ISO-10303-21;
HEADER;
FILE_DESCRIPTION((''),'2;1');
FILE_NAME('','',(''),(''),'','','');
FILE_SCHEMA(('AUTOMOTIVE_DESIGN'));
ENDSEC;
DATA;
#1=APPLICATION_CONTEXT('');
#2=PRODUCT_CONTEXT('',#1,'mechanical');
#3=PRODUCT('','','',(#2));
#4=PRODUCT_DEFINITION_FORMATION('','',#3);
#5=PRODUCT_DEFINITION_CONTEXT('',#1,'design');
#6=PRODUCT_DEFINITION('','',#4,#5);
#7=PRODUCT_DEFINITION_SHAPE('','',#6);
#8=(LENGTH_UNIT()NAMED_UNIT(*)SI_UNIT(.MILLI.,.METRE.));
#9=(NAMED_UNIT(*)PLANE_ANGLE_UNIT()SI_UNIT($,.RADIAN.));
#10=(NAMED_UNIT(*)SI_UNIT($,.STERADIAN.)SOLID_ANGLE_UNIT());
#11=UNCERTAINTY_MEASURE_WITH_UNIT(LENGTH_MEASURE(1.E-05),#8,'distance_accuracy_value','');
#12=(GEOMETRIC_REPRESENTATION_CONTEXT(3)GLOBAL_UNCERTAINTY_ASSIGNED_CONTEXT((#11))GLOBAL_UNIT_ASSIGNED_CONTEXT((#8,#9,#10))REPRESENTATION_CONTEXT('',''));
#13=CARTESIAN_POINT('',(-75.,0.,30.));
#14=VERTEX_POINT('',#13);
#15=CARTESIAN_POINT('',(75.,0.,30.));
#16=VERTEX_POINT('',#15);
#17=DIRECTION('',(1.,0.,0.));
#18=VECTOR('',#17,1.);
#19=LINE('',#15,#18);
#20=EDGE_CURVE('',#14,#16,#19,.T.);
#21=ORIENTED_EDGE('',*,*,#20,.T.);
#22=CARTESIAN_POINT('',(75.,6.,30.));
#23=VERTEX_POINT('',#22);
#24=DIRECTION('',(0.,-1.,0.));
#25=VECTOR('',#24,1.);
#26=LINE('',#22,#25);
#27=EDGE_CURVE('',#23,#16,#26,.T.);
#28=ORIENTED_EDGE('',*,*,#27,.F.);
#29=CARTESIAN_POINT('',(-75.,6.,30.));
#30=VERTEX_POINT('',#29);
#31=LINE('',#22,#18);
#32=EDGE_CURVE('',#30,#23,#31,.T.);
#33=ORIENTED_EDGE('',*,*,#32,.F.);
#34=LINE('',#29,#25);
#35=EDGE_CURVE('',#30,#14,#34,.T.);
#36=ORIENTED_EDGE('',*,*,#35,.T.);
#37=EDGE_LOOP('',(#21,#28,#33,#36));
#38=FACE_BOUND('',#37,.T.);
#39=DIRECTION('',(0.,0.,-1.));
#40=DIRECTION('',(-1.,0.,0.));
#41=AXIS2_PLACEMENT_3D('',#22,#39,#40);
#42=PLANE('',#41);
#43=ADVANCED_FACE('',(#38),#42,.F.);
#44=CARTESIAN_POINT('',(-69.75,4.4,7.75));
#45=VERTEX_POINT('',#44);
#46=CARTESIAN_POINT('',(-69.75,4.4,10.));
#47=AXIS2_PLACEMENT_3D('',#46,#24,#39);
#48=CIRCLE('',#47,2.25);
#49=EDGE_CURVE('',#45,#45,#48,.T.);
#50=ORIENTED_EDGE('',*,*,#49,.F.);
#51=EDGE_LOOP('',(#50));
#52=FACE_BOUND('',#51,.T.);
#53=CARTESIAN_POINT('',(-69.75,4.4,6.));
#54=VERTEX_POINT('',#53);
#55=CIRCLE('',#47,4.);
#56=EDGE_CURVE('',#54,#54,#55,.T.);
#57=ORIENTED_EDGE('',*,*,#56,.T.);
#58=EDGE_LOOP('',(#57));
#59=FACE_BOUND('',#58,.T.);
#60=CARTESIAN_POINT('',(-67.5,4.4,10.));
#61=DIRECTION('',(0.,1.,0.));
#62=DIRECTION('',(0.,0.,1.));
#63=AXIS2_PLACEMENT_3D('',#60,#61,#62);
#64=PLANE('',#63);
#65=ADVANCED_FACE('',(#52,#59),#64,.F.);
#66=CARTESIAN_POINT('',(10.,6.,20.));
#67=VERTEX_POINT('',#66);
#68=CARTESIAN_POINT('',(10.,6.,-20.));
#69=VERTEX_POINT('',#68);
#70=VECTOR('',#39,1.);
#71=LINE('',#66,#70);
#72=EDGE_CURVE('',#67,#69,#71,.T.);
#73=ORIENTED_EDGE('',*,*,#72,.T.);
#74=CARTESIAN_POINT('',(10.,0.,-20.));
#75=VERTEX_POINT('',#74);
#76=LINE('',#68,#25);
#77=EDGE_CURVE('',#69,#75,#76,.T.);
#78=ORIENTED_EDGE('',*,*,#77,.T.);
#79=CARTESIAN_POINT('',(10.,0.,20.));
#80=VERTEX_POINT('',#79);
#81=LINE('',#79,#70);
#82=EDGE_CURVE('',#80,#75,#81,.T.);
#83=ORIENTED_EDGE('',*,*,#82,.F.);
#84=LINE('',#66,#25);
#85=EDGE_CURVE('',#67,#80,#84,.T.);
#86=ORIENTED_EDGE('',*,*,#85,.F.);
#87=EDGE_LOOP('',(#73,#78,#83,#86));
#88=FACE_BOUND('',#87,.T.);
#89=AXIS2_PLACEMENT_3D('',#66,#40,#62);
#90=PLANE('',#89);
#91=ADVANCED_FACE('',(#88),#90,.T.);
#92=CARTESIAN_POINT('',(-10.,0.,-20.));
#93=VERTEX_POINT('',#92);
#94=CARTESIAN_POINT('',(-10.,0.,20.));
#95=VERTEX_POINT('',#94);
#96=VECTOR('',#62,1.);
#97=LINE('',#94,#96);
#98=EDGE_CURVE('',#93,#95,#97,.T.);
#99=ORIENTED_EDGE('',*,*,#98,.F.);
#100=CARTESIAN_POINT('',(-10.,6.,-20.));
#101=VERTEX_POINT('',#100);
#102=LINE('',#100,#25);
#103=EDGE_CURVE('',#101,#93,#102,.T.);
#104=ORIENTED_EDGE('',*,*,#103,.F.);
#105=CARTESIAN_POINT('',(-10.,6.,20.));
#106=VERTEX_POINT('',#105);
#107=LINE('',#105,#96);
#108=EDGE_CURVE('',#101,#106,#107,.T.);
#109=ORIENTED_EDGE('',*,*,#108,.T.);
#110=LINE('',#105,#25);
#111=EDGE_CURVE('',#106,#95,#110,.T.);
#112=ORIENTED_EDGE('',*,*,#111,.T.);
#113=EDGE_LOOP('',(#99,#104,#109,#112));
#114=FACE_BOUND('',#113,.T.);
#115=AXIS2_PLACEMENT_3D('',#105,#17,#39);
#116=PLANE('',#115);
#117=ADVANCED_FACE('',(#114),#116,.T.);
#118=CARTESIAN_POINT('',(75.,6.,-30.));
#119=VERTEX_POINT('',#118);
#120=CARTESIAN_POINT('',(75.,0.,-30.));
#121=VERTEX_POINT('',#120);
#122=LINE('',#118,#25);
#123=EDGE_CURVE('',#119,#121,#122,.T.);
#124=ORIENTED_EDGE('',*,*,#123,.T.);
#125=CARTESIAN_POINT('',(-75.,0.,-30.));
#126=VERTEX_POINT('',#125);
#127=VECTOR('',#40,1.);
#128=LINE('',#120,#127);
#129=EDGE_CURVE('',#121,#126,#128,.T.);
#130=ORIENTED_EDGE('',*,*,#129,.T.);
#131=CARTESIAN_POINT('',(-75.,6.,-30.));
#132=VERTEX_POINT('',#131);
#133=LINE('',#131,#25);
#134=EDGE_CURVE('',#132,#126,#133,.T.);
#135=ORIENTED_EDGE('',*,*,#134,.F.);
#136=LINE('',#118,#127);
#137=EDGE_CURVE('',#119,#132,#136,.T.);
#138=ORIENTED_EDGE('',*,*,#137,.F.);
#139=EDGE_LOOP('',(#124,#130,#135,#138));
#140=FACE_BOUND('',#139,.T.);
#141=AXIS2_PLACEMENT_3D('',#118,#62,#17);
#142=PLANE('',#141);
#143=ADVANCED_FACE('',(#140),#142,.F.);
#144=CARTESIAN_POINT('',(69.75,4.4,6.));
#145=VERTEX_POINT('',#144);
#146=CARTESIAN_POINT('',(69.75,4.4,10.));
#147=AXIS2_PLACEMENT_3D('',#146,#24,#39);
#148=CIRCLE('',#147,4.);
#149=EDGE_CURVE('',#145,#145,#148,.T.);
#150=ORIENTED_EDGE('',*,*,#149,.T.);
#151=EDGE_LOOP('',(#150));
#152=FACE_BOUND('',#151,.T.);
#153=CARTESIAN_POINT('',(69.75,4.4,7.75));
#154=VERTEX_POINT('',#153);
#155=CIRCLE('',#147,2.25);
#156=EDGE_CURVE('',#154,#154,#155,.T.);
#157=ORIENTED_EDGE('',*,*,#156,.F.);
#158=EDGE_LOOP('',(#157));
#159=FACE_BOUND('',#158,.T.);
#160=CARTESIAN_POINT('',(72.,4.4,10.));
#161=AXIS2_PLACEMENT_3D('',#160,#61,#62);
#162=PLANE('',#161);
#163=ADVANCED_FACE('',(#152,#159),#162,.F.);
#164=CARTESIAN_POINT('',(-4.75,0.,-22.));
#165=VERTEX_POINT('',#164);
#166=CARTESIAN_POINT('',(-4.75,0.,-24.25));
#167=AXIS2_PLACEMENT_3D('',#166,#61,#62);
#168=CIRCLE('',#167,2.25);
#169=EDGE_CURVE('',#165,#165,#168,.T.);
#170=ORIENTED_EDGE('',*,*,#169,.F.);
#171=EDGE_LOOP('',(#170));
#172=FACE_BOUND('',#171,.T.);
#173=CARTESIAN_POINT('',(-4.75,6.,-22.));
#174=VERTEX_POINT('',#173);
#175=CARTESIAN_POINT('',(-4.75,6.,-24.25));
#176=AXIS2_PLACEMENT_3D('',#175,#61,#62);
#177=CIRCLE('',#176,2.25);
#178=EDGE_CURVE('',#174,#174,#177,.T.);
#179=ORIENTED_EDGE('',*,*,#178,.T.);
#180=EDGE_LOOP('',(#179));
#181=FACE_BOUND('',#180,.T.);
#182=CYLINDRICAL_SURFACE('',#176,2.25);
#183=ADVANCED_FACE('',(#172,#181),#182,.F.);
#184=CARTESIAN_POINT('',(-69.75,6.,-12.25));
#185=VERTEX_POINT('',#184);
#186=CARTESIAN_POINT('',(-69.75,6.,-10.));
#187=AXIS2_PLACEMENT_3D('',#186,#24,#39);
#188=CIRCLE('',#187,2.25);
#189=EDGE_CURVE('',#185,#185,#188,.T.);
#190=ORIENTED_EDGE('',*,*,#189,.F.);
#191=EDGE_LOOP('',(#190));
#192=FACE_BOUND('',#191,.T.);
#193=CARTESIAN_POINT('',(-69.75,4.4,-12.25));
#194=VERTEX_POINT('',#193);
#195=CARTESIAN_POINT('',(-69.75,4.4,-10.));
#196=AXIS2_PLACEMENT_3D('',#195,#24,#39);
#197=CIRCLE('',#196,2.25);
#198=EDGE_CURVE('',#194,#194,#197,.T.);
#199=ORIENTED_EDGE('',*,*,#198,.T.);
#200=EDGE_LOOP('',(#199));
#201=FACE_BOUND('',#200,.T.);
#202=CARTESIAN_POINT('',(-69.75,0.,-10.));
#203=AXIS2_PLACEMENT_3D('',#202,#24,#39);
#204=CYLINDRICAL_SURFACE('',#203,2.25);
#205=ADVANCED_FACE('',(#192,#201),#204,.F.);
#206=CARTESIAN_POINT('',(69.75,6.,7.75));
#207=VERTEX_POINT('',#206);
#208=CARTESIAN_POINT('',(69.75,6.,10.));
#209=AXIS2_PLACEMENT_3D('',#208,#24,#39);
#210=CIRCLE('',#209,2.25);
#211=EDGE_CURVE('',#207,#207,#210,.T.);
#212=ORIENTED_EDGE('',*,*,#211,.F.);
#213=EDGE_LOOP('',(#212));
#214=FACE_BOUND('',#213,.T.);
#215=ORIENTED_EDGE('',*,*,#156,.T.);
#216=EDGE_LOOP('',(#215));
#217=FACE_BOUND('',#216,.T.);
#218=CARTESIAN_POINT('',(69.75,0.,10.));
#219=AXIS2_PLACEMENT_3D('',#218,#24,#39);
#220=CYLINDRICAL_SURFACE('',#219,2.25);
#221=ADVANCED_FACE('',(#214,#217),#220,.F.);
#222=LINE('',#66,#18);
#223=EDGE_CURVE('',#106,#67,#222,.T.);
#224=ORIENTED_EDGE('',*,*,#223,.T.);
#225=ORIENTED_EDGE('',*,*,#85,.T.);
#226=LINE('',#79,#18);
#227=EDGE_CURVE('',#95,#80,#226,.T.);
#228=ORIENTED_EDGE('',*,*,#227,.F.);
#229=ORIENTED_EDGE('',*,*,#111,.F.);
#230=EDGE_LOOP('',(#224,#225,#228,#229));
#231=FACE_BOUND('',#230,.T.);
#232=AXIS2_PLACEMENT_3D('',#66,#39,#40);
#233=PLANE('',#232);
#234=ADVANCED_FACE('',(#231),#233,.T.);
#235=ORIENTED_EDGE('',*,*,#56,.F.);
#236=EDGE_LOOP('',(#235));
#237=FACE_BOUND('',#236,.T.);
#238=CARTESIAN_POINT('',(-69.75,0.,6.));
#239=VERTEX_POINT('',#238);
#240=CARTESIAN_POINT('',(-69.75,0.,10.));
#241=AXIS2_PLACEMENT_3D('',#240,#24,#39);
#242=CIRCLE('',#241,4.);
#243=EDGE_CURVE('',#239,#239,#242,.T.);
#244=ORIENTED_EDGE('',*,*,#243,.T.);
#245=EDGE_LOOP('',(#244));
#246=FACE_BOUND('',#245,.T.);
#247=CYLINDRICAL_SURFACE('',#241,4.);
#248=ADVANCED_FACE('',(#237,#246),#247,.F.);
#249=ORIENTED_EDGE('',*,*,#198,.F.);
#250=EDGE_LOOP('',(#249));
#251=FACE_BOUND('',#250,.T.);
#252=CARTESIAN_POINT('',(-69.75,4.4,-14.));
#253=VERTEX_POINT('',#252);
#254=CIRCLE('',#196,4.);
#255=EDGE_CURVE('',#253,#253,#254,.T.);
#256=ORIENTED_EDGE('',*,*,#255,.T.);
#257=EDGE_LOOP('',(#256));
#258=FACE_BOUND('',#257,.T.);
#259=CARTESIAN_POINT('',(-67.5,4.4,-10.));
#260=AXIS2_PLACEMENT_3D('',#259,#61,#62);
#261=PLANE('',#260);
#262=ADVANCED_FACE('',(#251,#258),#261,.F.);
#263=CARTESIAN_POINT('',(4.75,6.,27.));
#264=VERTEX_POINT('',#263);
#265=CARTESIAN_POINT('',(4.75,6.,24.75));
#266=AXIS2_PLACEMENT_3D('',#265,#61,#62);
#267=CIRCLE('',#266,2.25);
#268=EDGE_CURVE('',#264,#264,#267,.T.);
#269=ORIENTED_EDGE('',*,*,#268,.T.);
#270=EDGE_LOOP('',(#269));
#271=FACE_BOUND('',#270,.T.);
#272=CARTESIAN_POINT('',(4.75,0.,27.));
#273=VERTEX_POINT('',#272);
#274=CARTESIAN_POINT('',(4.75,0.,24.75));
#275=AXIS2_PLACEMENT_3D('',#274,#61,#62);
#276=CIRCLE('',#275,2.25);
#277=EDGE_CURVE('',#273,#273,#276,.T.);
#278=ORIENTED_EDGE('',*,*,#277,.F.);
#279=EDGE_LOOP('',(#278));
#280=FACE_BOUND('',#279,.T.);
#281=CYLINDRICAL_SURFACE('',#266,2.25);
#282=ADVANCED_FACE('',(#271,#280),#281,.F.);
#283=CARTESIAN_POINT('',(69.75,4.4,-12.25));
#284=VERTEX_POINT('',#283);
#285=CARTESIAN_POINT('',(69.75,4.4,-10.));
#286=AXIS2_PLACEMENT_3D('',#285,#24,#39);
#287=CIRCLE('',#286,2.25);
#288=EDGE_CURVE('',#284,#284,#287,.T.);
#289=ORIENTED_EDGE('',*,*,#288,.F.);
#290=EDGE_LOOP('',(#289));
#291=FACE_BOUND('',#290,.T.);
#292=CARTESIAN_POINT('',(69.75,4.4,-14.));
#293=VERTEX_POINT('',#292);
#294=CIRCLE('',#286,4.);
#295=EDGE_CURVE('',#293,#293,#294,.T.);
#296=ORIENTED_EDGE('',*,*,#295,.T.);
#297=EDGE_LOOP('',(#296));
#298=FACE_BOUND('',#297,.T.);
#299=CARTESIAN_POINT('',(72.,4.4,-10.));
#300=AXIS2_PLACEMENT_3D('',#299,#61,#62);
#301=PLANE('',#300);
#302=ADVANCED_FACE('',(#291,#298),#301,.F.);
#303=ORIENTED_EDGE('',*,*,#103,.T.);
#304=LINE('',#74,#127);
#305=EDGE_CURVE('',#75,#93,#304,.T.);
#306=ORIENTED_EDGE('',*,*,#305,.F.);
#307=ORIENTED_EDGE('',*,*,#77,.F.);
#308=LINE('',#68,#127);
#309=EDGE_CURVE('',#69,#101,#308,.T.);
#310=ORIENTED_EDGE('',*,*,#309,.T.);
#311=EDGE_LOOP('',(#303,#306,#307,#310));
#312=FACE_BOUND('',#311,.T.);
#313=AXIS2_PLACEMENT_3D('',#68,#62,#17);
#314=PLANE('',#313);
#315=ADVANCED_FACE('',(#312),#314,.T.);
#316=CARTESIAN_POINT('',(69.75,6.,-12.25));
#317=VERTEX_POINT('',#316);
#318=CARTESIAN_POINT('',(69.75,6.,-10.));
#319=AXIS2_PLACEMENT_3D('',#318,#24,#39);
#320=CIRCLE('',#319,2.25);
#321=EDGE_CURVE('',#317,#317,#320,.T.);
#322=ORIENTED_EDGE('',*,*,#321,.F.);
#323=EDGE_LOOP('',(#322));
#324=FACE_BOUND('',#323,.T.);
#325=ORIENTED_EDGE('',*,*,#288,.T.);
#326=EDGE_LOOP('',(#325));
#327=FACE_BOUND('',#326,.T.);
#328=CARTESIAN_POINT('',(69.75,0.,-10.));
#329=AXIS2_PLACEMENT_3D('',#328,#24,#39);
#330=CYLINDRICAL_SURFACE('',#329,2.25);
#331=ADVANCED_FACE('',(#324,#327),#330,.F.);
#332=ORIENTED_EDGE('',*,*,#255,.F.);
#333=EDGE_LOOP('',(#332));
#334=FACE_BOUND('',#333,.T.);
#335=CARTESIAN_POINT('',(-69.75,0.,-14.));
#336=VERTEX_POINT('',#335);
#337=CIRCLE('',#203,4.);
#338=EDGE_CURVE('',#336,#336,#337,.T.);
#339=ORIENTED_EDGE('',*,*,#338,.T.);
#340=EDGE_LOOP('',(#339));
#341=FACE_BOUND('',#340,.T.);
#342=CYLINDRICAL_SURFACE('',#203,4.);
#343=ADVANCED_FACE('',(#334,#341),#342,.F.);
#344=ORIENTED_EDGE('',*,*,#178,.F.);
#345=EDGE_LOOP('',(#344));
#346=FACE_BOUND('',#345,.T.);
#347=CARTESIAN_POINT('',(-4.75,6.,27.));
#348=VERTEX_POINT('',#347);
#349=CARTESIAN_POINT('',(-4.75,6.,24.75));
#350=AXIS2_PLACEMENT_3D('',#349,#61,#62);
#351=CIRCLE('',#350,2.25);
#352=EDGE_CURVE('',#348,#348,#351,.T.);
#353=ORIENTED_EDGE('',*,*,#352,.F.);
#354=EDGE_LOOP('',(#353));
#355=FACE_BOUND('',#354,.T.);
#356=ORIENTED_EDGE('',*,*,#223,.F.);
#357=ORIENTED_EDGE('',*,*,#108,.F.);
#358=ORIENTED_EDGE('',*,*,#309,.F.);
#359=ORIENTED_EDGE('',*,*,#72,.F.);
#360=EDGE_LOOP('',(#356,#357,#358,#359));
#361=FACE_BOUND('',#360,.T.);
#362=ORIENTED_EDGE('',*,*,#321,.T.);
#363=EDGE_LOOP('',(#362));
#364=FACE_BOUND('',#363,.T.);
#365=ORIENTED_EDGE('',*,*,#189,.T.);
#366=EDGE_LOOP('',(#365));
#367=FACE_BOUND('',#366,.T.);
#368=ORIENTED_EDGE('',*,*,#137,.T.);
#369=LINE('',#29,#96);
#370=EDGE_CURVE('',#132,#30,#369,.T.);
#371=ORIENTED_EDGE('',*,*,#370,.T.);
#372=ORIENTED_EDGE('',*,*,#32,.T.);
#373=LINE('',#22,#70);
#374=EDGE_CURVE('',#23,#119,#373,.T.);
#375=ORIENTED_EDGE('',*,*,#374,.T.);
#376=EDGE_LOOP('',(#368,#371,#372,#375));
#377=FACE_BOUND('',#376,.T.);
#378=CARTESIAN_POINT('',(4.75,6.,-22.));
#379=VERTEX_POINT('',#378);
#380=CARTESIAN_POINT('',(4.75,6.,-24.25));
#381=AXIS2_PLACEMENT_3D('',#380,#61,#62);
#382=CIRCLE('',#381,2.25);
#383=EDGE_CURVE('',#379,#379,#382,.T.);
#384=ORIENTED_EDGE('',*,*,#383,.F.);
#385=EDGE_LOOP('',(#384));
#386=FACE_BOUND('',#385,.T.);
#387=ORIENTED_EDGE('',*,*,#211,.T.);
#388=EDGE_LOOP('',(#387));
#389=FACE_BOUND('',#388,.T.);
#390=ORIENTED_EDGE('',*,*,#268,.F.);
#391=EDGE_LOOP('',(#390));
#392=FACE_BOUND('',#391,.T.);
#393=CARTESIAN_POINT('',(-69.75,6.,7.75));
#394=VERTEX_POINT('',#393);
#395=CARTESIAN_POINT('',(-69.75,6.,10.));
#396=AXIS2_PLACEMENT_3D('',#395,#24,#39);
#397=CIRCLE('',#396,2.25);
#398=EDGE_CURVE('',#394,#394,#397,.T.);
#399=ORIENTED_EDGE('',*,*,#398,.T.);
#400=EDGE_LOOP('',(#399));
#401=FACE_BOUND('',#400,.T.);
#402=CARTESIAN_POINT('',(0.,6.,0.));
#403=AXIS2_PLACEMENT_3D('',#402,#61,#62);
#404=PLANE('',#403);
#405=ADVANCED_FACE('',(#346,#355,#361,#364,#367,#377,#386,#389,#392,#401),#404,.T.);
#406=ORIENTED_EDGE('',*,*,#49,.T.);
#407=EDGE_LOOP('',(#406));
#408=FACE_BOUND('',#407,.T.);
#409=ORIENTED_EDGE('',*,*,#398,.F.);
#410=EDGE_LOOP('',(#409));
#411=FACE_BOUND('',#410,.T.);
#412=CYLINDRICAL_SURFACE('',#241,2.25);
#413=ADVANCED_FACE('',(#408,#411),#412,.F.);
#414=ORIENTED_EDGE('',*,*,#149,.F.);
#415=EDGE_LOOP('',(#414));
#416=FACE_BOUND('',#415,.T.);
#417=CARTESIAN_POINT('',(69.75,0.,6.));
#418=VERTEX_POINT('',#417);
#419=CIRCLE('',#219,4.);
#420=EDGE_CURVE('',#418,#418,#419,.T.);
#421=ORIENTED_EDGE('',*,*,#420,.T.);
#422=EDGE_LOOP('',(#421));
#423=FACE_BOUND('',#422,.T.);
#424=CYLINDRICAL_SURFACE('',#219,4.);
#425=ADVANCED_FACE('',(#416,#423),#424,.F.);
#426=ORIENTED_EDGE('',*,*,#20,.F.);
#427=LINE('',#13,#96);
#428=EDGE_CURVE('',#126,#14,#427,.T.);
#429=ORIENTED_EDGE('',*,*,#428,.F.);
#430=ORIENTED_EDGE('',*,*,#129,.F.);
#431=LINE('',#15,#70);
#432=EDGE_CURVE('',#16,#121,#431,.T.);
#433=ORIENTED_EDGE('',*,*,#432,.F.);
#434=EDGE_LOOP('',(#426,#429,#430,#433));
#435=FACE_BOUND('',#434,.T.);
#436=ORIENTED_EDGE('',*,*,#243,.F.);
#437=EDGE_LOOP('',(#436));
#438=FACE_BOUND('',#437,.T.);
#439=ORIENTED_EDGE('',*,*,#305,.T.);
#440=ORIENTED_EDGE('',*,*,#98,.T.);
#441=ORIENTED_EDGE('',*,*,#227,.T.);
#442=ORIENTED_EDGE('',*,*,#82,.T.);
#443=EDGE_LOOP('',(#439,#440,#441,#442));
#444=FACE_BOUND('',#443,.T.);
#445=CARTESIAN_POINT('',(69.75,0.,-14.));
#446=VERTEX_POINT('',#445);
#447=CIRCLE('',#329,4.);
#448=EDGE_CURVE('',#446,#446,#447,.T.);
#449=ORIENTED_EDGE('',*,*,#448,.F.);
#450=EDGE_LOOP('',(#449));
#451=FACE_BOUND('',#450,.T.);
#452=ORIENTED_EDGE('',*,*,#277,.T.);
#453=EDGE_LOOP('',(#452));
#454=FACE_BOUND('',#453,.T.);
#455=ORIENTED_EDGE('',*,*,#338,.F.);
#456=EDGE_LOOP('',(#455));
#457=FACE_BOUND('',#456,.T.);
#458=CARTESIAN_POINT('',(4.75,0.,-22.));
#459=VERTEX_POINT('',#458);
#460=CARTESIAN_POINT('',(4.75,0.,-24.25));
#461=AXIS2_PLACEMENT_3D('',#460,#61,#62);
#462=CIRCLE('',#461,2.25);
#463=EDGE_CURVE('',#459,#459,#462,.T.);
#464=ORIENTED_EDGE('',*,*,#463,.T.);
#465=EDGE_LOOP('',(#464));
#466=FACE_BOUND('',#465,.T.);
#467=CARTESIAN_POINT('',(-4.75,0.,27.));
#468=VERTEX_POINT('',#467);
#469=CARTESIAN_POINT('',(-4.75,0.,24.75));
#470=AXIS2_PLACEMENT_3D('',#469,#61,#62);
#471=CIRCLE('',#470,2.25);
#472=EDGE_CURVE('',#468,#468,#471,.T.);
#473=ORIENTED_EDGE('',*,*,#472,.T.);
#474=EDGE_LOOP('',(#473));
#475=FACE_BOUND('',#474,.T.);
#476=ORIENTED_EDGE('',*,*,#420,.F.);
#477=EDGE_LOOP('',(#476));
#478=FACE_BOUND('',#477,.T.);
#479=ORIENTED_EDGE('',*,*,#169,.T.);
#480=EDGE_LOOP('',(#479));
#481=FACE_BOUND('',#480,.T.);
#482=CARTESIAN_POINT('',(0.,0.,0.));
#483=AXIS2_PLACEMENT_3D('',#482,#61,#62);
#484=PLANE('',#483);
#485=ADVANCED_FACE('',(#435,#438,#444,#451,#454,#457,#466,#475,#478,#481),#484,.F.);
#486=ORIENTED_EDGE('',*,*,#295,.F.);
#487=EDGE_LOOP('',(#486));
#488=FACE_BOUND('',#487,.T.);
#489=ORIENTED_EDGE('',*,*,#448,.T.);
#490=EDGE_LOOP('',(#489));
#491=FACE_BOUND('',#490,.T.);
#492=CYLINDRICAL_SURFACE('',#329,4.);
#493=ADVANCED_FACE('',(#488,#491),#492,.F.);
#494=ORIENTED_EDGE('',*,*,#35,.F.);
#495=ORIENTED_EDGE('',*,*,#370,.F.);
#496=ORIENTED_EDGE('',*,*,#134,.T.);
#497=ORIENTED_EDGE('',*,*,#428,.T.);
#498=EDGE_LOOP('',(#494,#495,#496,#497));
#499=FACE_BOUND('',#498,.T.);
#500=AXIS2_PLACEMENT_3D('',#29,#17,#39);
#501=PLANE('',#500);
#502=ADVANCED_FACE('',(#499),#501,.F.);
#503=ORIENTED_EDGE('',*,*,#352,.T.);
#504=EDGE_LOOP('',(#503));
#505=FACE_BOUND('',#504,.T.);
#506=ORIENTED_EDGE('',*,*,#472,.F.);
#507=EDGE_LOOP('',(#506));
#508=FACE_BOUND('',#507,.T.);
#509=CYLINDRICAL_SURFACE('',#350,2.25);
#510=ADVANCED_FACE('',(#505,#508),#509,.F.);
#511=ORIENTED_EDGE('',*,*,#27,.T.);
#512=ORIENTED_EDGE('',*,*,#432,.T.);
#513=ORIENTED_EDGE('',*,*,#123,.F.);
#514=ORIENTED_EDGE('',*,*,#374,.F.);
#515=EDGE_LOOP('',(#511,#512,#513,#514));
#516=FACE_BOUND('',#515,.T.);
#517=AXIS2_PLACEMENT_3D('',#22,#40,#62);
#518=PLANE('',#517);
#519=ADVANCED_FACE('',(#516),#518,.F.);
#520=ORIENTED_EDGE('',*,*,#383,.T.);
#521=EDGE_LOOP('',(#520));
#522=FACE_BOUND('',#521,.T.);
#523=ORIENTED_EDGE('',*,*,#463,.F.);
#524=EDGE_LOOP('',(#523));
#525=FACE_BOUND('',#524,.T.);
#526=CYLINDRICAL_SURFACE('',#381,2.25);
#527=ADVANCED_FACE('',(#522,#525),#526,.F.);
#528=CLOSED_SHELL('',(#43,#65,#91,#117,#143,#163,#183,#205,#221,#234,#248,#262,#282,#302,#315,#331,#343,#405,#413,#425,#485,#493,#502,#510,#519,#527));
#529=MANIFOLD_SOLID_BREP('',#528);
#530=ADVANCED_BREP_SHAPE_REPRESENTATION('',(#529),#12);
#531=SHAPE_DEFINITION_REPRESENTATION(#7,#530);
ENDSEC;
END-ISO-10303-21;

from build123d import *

# Parameters (mm, degrees)
SKETCH1_W                                           = 150
SKETCH1_H                                           = 60
SKETCH1_W_2                                         = 20
SKETCH1_H_2                                         = 40
BOSS_EXTRUDE1_DEPTH                                 = 6
CBORE_FOR_M4_HEX_SOCKET_HEAD_CAP_SCREW1_D           = 4.5
CBORE_FOR_M4_HEX_SOCKET_HEAD_CAP_SCREW1_CBORE_D     = 8
CBORE_FOR_M4_HEX_SOCKET_HEAD_CAP_SCREW1_CBORE_DEPTH = 4.4
M4_CLEARANCE_HOLE1_D                                = 4.5
M4_CLEARANCE_HOLE1_DEPTH                            = 8.499


with BuildPart() as part:
    # Sketch1 → Boss-Extrude1 (new body)
    with BuildSketch(Plane(origin=(0, 0, 0), x_dir=(1, 0, 0), z_dir=(0, 1, 0))):
        Rectangle(SKETCH1_W, SKETCH1_H)
        Rectangle(SKETCH1_W_2, SKETCH1_H_2, mode=Mode.SUBTRACT)
    extrude(amount=BOSS_EXTRUDE1_DEPTH)

    # CBORE for M4 Hex Socket Head Cap Screw1 (through all)
    with Locations(Plane(origin=(0, 0, 178.229982134), x_dir=(0, 0, 1), z_dir=(0, -1, 0))):
        with Locations((-168.229982134, -69.75), (-188.229982134, -69.75)):
            cbore_for_m4_hex_socket_head_cap_screw1 = CounterBoreHole(CBORE_FOR_M4_HEX_SOCKET_HEAD_CAP_SCREW1_D / 2, CBORE_FOR_M4_HEX_SOCKET_HEAD_CAP_SCREW1_CBORE_D / 2, CBORE_FOR_M4_HEX_SOCKET_HEAD_CAP_SCREW1_CBORE_DEPTH)

    # Mirror2: CBORE for M4 Hex Socket Head Cap Screw1 across plane
    add(cbore_for_m4_hex_socket_head_cap_screw1.mirror(Plane.ZY), mode=Mode.SUBTRACT)

    # M4 Clearance Hole1
    with Locations(Plane(origin=(0, 6, 178.229982134), x_dir=(0, 0, -1), z_dir=(0, 1, 0))):
        with Locations((153.479982134, 4.75), (153.479982134, -4.75), (202.479982134, -4.75), (202.479982134, 4.75)):
            Hole(M4_CLEARANCE_HOLE1_D / 2, depth=M4_CLEARANCE_HOLE1_DEPTH)


solid = part.part
